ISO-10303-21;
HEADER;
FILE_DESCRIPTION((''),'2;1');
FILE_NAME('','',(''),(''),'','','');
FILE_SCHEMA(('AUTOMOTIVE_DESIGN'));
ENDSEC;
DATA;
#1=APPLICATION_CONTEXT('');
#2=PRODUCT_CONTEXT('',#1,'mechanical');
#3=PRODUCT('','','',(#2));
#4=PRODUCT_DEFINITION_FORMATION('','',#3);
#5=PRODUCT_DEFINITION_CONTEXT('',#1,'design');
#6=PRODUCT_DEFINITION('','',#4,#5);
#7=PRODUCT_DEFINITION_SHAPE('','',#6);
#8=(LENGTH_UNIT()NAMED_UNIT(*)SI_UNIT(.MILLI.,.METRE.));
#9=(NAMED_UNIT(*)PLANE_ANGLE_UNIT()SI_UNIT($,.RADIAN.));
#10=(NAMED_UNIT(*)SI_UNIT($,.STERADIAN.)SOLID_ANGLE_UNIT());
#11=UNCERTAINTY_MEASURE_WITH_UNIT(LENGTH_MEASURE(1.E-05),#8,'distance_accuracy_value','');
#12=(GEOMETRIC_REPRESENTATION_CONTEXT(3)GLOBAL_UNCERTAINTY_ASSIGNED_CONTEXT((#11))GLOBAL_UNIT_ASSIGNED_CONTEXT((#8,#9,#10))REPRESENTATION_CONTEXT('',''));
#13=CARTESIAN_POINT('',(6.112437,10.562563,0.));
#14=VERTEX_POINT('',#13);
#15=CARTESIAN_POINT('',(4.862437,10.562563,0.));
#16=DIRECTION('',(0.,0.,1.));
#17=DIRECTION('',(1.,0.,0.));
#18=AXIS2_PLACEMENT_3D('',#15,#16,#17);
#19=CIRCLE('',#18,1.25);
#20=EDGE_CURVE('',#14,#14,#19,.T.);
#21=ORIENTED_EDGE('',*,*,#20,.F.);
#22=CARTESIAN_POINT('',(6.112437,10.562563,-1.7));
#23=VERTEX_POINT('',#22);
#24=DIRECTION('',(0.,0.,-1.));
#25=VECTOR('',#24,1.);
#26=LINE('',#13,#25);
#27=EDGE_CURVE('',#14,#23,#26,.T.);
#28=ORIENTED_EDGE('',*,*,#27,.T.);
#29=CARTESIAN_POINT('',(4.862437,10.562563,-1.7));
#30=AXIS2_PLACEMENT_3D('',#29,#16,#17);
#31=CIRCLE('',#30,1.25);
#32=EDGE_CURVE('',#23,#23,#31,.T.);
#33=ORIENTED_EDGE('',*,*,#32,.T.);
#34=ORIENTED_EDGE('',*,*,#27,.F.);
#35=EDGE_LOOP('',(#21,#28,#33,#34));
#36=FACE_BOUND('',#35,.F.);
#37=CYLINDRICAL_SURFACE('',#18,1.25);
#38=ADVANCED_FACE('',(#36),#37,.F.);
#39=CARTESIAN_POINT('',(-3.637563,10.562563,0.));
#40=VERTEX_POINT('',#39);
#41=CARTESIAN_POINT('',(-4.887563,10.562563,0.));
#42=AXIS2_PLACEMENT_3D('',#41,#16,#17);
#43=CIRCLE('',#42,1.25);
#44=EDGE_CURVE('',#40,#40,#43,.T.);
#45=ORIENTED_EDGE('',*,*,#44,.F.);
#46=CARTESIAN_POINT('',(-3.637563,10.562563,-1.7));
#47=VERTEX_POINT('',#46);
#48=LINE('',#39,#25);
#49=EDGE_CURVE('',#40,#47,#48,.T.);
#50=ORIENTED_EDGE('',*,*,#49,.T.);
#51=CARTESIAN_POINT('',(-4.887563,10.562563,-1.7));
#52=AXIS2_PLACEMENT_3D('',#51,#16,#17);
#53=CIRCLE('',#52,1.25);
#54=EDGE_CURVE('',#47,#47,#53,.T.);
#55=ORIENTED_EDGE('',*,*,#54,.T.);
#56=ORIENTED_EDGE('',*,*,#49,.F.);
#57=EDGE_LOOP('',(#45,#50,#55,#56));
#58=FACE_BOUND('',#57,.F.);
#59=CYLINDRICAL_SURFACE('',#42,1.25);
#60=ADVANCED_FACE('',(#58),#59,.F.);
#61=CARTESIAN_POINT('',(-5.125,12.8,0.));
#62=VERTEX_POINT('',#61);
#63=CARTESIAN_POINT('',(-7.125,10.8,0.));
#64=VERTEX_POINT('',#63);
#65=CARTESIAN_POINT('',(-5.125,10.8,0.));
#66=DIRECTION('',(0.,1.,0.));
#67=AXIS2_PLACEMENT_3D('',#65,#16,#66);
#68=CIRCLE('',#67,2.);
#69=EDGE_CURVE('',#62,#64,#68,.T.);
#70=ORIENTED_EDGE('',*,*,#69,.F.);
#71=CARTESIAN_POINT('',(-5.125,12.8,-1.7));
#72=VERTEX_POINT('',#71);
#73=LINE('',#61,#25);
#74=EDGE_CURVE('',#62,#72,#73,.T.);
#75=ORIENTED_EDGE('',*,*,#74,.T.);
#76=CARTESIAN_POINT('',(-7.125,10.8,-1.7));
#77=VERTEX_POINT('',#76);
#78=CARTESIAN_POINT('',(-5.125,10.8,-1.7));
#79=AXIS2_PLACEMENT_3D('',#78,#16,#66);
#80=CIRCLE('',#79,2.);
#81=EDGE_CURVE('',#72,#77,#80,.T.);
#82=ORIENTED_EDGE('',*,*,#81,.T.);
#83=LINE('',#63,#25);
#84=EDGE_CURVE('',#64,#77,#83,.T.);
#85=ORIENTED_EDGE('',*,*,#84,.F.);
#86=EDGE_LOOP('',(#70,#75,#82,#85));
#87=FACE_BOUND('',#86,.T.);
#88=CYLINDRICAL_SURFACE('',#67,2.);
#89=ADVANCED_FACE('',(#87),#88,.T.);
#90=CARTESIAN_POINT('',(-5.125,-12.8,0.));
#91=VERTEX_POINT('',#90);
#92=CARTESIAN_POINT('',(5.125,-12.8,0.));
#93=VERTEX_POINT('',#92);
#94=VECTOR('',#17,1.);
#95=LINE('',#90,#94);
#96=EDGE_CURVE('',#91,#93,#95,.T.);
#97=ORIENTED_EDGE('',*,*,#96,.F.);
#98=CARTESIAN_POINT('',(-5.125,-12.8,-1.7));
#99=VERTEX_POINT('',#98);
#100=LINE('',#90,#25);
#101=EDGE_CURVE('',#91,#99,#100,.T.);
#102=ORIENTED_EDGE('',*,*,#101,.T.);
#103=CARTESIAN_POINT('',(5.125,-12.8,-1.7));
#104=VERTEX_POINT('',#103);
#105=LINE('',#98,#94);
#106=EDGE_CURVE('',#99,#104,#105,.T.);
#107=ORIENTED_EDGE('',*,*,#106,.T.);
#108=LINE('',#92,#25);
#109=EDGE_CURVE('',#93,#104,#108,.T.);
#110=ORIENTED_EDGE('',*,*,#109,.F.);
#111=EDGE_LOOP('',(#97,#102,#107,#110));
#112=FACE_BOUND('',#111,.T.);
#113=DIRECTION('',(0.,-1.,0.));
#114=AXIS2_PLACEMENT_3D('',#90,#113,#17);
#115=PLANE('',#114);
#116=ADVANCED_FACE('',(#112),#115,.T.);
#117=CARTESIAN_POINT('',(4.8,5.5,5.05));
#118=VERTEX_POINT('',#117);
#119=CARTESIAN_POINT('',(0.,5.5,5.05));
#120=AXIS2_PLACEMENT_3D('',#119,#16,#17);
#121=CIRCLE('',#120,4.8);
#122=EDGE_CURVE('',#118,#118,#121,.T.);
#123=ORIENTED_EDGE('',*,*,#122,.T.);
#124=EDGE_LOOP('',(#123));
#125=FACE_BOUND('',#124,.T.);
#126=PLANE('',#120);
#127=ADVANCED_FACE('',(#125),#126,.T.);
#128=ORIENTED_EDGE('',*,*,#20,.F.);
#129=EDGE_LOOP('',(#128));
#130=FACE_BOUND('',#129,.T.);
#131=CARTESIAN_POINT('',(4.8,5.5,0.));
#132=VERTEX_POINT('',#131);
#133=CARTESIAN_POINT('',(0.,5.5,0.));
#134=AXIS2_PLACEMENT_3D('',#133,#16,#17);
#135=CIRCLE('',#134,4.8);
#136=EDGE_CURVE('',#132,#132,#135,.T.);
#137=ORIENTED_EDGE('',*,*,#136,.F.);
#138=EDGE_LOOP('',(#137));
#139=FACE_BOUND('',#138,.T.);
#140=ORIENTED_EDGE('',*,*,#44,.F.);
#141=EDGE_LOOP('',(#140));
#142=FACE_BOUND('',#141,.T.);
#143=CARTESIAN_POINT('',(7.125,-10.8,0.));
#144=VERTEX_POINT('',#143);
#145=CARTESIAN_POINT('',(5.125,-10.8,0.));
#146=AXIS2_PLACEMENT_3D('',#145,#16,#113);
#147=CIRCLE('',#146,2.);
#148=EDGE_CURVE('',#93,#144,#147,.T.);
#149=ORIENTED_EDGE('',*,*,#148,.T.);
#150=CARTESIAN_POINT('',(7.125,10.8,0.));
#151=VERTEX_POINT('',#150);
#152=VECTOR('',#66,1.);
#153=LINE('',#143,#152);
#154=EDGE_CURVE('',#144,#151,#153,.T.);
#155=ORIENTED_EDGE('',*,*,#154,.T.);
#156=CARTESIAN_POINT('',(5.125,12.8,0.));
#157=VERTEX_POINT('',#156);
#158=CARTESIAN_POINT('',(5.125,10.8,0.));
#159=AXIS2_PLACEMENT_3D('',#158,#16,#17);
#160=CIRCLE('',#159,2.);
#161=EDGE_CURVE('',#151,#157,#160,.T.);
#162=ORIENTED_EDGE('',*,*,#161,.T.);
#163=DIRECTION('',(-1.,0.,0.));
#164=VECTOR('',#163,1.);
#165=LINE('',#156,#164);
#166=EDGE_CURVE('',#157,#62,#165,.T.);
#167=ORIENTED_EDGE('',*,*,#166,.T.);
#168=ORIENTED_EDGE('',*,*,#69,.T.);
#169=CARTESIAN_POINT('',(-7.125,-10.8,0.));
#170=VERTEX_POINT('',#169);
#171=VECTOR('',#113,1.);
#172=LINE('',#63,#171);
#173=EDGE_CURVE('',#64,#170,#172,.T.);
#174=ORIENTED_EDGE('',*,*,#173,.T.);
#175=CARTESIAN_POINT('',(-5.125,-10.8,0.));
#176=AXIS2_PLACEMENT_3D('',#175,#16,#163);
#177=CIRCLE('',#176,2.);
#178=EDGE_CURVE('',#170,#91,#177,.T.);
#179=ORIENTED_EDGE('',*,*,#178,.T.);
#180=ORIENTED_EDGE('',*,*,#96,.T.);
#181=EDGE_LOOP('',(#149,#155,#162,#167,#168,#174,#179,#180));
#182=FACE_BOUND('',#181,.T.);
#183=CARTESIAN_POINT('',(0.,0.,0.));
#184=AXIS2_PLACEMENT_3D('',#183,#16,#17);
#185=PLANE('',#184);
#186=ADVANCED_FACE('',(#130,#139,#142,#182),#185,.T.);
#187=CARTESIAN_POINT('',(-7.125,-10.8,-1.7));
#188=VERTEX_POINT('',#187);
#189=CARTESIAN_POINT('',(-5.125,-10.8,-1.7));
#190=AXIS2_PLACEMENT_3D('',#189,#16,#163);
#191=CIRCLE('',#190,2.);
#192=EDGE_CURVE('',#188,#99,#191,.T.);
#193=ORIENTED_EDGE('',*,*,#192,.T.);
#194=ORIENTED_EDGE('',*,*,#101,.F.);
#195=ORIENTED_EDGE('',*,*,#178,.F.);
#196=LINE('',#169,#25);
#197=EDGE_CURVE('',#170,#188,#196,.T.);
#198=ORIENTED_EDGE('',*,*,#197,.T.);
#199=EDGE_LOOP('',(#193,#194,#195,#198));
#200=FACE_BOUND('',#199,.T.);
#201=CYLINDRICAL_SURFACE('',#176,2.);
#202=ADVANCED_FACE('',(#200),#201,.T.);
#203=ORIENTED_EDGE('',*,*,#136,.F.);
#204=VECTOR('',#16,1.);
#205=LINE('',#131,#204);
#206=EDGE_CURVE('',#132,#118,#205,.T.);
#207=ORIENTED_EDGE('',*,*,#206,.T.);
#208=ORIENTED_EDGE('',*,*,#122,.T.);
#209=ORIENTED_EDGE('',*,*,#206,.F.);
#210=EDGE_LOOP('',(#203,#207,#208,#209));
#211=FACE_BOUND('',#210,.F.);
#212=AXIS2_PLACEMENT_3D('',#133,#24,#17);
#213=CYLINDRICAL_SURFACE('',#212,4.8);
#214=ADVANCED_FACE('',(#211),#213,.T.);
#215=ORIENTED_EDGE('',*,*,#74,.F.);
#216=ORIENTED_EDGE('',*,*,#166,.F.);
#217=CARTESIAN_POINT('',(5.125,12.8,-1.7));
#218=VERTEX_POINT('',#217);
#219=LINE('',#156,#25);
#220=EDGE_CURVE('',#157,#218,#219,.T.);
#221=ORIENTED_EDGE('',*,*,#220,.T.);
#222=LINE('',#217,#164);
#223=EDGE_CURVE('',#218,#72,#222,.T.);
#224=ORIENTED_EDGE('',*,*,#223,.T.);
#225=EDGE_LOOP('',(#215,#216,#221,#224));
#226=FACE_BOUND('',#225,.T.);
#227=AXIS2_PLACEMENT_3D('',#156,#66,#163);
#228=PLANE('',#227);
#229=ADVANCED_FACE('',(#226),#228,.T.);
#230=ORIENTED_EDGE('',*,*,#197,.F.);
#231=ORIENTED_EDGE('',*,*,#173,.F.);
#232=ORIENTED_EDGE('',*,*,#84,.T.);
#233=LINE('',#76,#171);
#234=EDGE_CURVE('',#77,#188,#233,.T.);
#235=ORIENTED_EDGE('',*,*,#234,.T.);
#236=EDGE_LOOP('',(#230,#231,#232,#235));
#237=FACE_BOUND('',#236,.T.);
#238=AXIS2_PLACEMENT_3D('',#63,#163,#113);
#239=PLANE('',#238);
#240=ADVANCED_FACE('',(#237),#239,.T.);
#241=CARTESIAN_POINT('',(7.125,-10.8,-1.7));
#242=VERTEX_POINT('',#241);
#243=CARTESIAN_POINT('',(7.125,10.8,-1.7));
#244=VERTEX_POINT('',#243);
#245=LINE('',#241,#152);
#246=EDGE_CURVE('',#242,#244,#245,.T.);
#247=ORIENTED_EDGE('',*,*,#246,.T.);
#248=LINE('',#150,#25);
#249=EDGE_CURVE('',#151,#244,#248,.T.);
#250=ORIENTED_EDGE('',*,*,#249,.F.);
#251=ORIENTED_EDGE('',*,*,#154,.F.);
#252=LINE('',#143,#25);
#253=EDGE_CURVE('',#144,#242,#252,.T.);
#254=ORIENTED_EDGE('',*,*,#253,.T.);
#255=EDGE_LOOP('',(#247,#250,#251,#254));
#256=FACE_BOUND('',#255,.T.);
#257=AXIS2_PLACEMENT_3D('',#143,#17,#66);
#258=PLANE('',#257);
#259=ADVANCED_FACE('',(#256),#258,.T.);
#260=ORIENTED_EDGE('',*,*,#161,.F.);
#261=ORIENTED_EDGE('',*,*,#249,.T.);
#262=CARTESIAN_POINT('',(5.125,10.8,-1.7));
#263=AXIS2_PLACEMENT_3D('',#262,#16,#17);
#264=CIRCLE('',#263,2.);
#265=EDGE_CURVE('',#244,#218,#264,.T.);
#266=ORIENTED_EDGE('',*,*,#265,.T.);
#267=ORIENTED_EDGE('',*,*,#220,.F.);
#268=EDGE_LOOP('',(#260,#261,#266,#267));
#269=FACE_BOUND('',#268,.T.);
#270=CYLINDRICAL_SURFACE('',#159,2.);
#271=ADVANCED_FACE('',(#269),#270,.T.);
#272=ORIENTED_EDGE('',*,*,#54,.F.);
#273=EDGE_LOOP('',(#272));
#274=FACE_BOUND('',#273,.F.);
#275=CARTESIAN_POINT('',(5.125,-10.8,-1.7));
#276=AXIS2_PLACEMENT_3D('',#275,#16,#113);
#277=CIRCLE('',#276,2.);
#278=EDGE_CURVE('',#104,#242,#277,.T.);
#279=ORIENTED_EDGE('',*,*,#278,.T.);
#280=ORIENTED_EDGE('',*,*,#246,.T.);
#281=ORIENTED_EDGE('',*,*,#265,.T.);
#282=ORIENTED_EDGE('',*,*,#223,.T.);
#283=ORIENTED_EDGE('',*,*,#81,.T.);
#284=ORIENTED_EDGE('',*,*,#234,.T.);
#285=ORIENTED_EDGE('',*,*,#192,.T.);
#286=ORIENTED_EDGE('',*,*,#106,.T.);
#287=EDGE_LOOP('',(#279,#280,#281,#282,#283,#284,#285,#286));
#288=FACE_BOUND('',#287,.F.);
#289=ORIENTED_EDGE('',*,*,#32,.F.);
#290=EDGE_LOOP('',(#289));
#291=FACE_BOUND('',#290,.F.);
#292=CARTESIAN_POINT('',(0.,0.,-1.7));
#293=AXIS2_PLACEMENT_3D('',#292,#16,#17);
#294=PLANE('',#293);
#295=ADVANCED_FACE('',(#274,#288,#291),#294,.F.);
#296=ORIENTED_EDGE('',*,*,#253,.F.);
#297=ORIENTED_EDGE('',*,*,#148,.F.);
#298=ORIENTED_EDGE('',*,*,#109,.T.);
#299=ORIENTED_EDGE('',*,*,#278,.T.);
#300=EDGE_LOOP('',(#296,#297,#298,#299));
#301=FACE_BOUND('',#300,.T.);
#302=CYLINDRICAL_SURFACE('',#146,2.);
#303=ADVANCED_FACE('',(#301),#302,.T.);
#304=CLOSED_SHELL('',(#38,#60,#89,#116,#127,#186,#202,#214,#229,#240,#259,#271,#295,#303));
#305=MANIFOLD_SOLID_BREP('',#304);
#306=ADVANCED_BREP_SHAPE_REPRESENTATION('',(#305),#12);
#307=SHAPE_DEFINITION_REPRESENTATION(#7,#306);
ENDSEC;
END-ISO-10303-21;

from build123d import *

# Parameters (mm, degrees)
F2_R     = 1.25
F2_R_2   = 4.8
F3_DEPTH = 1.7
F4_DEPTH = 5.05


with BuildPart() as f3:
    # F2 (on Top) → F3 (new body)
    with BuildSketch(Plane.XY):
        with BuildLine():
            Line((5.125, 12.8), (-5.125, 12.8))
            ThreePointArc((-5.125, 12.8), (-6.5392135624, 12.2142135624), (-7.125, 10.8))
            Line((-7.125, 10.8), (-7.125, -10.8))
            ThreePointArc((-7.125, -10.8), (-6.5392135624, -12.2142135624), (-5.125, -12.8))
            Line((-5.125, -12.8), (5.125, -12.8))
            ThreePointArc((5.125, -12.8), (6.5392135624, -12.2142135624), (7.125, -10.8))
            Line((7.125, -10.8), (7.125, 10.8))
            ThreePointArc((7.125, 10.8), (6.5392135624, 12.2142135624), (5.125, 12.8))
        make_face()
        with Locations((-4.8875631329, 10.5625631329)):
            Circle(F2_R, mode=Mode.SUBTRACT)
        with Locations((0, 5.5)):
            Circle(F2_R_2, mode=Mode.SUBTRACT)
        with Locations((4.8624368671, 10.5625631329)):
            Circle(F2_R, mode=Mode.SUBTRACT)
        with Locations((0, 5.5)):
            Circle(F2_R_2)
    extrude(amount=-F3_DEPTH)

    # F2 (on Top) → F4 (join)
    with BuildSketch(Plane.XY):
        with Locations((0, 5.5)):
            Circle(F2_R_2)
    extrude(amount=F4_DEPTH)


solid = f3.part
